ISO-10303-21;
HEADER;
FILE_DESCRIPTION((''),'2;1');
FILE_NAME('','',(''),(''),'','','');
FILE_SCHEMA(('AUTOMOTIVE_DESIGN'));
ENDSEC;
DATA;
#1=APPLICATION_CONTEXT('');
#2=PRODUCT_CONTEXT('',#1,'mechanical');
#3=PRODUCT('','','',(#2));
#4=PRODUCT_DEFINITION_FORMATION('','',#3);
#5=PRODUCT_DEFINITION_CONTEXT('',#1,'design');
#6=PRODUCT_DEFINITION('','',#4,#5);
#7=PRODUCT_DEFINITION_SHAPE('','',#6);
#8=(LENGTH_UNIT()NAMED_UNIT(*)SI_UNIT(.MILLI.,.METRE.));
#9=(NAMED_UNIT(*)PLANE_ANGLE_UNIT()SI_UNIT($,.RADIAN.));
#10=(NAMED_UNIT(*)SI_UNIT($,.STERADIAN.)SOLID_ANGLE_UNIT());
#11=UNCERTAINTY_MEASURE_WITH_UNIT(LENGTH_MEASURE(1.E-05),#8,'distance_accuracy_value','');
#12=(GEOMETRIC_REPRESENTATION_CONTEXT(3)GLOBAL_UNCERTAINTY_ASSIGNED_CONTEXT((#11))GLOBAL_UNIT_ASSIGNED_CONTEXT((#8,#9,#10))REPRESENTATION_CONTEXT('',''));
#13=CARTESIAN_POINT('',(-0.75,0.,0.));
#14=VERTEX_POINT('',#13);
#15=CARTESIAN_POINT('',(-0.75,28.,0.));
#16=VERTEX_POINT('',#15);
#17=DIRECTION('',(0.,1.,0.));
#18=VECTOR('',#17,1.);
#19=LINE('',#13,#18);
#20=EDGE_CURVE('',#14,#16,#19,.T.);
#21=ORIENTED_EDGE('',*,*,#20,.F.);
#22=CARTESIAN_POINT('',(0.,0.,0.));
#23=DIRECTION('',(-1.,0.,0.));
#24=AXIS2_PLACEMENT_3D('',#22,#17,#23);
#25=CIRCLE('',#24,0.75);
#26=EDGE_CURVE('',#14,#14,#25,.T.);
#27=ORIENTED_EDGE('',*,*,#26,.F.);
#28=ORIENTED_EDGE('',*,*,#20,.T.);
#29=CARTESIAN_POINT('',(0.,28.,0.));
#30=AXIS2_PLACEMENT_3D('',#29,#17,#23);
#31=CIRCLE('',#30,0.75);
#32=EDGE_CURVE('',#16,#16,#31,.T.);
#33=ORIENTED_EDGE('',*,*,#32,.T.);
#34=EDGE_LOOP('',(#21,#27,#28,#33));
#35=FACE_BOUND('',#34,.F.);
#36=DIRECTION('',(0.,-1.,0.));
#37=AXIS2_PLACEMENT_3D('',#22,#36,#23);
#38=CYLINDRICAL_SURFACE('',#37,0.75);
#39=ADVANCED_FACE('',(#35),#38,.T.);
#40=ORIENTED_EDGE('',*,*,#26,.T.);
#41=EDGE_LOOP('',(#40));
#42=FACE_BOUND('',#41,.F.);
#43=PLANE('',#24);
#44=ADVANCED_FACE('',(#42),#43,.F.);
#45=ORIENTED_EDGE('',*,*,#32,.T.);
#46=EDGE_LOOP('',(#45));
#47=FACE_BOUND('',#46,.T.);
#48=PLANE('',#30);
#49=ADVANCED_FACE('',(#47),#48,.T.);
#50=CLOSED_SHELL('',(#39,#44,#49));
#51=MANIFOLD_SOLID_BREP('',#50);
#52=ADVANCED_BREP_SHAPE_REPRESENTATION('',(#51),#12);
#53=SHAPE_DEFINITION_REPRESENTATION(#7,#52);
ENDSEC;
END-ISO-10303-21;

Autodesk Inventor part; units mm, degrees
ref_plane "YZ Plane" through (0, 0, 0) normal (1, 0, 0) x (0, 1, 0)
ref_plane "XZ Plane" through (0, 0, 0) normal (0, 1, 0) x (-1, 0, 0)
ref_plane "XY Plane" through (0, 0, 0) normal (0, 0, 1) x (1, 0, 0)
sketch "Skizze1" plane through (0, 0, 0) normal (0, 1, 0) x (-1, 0, 0)
  circle A0 centre (0, 0) radius 0.75
  dimension "d0" = 1.5
extrude "Extrusion1" add sketch "Skizze1" along normal blind 28
properties part number "Stift_28mm"
